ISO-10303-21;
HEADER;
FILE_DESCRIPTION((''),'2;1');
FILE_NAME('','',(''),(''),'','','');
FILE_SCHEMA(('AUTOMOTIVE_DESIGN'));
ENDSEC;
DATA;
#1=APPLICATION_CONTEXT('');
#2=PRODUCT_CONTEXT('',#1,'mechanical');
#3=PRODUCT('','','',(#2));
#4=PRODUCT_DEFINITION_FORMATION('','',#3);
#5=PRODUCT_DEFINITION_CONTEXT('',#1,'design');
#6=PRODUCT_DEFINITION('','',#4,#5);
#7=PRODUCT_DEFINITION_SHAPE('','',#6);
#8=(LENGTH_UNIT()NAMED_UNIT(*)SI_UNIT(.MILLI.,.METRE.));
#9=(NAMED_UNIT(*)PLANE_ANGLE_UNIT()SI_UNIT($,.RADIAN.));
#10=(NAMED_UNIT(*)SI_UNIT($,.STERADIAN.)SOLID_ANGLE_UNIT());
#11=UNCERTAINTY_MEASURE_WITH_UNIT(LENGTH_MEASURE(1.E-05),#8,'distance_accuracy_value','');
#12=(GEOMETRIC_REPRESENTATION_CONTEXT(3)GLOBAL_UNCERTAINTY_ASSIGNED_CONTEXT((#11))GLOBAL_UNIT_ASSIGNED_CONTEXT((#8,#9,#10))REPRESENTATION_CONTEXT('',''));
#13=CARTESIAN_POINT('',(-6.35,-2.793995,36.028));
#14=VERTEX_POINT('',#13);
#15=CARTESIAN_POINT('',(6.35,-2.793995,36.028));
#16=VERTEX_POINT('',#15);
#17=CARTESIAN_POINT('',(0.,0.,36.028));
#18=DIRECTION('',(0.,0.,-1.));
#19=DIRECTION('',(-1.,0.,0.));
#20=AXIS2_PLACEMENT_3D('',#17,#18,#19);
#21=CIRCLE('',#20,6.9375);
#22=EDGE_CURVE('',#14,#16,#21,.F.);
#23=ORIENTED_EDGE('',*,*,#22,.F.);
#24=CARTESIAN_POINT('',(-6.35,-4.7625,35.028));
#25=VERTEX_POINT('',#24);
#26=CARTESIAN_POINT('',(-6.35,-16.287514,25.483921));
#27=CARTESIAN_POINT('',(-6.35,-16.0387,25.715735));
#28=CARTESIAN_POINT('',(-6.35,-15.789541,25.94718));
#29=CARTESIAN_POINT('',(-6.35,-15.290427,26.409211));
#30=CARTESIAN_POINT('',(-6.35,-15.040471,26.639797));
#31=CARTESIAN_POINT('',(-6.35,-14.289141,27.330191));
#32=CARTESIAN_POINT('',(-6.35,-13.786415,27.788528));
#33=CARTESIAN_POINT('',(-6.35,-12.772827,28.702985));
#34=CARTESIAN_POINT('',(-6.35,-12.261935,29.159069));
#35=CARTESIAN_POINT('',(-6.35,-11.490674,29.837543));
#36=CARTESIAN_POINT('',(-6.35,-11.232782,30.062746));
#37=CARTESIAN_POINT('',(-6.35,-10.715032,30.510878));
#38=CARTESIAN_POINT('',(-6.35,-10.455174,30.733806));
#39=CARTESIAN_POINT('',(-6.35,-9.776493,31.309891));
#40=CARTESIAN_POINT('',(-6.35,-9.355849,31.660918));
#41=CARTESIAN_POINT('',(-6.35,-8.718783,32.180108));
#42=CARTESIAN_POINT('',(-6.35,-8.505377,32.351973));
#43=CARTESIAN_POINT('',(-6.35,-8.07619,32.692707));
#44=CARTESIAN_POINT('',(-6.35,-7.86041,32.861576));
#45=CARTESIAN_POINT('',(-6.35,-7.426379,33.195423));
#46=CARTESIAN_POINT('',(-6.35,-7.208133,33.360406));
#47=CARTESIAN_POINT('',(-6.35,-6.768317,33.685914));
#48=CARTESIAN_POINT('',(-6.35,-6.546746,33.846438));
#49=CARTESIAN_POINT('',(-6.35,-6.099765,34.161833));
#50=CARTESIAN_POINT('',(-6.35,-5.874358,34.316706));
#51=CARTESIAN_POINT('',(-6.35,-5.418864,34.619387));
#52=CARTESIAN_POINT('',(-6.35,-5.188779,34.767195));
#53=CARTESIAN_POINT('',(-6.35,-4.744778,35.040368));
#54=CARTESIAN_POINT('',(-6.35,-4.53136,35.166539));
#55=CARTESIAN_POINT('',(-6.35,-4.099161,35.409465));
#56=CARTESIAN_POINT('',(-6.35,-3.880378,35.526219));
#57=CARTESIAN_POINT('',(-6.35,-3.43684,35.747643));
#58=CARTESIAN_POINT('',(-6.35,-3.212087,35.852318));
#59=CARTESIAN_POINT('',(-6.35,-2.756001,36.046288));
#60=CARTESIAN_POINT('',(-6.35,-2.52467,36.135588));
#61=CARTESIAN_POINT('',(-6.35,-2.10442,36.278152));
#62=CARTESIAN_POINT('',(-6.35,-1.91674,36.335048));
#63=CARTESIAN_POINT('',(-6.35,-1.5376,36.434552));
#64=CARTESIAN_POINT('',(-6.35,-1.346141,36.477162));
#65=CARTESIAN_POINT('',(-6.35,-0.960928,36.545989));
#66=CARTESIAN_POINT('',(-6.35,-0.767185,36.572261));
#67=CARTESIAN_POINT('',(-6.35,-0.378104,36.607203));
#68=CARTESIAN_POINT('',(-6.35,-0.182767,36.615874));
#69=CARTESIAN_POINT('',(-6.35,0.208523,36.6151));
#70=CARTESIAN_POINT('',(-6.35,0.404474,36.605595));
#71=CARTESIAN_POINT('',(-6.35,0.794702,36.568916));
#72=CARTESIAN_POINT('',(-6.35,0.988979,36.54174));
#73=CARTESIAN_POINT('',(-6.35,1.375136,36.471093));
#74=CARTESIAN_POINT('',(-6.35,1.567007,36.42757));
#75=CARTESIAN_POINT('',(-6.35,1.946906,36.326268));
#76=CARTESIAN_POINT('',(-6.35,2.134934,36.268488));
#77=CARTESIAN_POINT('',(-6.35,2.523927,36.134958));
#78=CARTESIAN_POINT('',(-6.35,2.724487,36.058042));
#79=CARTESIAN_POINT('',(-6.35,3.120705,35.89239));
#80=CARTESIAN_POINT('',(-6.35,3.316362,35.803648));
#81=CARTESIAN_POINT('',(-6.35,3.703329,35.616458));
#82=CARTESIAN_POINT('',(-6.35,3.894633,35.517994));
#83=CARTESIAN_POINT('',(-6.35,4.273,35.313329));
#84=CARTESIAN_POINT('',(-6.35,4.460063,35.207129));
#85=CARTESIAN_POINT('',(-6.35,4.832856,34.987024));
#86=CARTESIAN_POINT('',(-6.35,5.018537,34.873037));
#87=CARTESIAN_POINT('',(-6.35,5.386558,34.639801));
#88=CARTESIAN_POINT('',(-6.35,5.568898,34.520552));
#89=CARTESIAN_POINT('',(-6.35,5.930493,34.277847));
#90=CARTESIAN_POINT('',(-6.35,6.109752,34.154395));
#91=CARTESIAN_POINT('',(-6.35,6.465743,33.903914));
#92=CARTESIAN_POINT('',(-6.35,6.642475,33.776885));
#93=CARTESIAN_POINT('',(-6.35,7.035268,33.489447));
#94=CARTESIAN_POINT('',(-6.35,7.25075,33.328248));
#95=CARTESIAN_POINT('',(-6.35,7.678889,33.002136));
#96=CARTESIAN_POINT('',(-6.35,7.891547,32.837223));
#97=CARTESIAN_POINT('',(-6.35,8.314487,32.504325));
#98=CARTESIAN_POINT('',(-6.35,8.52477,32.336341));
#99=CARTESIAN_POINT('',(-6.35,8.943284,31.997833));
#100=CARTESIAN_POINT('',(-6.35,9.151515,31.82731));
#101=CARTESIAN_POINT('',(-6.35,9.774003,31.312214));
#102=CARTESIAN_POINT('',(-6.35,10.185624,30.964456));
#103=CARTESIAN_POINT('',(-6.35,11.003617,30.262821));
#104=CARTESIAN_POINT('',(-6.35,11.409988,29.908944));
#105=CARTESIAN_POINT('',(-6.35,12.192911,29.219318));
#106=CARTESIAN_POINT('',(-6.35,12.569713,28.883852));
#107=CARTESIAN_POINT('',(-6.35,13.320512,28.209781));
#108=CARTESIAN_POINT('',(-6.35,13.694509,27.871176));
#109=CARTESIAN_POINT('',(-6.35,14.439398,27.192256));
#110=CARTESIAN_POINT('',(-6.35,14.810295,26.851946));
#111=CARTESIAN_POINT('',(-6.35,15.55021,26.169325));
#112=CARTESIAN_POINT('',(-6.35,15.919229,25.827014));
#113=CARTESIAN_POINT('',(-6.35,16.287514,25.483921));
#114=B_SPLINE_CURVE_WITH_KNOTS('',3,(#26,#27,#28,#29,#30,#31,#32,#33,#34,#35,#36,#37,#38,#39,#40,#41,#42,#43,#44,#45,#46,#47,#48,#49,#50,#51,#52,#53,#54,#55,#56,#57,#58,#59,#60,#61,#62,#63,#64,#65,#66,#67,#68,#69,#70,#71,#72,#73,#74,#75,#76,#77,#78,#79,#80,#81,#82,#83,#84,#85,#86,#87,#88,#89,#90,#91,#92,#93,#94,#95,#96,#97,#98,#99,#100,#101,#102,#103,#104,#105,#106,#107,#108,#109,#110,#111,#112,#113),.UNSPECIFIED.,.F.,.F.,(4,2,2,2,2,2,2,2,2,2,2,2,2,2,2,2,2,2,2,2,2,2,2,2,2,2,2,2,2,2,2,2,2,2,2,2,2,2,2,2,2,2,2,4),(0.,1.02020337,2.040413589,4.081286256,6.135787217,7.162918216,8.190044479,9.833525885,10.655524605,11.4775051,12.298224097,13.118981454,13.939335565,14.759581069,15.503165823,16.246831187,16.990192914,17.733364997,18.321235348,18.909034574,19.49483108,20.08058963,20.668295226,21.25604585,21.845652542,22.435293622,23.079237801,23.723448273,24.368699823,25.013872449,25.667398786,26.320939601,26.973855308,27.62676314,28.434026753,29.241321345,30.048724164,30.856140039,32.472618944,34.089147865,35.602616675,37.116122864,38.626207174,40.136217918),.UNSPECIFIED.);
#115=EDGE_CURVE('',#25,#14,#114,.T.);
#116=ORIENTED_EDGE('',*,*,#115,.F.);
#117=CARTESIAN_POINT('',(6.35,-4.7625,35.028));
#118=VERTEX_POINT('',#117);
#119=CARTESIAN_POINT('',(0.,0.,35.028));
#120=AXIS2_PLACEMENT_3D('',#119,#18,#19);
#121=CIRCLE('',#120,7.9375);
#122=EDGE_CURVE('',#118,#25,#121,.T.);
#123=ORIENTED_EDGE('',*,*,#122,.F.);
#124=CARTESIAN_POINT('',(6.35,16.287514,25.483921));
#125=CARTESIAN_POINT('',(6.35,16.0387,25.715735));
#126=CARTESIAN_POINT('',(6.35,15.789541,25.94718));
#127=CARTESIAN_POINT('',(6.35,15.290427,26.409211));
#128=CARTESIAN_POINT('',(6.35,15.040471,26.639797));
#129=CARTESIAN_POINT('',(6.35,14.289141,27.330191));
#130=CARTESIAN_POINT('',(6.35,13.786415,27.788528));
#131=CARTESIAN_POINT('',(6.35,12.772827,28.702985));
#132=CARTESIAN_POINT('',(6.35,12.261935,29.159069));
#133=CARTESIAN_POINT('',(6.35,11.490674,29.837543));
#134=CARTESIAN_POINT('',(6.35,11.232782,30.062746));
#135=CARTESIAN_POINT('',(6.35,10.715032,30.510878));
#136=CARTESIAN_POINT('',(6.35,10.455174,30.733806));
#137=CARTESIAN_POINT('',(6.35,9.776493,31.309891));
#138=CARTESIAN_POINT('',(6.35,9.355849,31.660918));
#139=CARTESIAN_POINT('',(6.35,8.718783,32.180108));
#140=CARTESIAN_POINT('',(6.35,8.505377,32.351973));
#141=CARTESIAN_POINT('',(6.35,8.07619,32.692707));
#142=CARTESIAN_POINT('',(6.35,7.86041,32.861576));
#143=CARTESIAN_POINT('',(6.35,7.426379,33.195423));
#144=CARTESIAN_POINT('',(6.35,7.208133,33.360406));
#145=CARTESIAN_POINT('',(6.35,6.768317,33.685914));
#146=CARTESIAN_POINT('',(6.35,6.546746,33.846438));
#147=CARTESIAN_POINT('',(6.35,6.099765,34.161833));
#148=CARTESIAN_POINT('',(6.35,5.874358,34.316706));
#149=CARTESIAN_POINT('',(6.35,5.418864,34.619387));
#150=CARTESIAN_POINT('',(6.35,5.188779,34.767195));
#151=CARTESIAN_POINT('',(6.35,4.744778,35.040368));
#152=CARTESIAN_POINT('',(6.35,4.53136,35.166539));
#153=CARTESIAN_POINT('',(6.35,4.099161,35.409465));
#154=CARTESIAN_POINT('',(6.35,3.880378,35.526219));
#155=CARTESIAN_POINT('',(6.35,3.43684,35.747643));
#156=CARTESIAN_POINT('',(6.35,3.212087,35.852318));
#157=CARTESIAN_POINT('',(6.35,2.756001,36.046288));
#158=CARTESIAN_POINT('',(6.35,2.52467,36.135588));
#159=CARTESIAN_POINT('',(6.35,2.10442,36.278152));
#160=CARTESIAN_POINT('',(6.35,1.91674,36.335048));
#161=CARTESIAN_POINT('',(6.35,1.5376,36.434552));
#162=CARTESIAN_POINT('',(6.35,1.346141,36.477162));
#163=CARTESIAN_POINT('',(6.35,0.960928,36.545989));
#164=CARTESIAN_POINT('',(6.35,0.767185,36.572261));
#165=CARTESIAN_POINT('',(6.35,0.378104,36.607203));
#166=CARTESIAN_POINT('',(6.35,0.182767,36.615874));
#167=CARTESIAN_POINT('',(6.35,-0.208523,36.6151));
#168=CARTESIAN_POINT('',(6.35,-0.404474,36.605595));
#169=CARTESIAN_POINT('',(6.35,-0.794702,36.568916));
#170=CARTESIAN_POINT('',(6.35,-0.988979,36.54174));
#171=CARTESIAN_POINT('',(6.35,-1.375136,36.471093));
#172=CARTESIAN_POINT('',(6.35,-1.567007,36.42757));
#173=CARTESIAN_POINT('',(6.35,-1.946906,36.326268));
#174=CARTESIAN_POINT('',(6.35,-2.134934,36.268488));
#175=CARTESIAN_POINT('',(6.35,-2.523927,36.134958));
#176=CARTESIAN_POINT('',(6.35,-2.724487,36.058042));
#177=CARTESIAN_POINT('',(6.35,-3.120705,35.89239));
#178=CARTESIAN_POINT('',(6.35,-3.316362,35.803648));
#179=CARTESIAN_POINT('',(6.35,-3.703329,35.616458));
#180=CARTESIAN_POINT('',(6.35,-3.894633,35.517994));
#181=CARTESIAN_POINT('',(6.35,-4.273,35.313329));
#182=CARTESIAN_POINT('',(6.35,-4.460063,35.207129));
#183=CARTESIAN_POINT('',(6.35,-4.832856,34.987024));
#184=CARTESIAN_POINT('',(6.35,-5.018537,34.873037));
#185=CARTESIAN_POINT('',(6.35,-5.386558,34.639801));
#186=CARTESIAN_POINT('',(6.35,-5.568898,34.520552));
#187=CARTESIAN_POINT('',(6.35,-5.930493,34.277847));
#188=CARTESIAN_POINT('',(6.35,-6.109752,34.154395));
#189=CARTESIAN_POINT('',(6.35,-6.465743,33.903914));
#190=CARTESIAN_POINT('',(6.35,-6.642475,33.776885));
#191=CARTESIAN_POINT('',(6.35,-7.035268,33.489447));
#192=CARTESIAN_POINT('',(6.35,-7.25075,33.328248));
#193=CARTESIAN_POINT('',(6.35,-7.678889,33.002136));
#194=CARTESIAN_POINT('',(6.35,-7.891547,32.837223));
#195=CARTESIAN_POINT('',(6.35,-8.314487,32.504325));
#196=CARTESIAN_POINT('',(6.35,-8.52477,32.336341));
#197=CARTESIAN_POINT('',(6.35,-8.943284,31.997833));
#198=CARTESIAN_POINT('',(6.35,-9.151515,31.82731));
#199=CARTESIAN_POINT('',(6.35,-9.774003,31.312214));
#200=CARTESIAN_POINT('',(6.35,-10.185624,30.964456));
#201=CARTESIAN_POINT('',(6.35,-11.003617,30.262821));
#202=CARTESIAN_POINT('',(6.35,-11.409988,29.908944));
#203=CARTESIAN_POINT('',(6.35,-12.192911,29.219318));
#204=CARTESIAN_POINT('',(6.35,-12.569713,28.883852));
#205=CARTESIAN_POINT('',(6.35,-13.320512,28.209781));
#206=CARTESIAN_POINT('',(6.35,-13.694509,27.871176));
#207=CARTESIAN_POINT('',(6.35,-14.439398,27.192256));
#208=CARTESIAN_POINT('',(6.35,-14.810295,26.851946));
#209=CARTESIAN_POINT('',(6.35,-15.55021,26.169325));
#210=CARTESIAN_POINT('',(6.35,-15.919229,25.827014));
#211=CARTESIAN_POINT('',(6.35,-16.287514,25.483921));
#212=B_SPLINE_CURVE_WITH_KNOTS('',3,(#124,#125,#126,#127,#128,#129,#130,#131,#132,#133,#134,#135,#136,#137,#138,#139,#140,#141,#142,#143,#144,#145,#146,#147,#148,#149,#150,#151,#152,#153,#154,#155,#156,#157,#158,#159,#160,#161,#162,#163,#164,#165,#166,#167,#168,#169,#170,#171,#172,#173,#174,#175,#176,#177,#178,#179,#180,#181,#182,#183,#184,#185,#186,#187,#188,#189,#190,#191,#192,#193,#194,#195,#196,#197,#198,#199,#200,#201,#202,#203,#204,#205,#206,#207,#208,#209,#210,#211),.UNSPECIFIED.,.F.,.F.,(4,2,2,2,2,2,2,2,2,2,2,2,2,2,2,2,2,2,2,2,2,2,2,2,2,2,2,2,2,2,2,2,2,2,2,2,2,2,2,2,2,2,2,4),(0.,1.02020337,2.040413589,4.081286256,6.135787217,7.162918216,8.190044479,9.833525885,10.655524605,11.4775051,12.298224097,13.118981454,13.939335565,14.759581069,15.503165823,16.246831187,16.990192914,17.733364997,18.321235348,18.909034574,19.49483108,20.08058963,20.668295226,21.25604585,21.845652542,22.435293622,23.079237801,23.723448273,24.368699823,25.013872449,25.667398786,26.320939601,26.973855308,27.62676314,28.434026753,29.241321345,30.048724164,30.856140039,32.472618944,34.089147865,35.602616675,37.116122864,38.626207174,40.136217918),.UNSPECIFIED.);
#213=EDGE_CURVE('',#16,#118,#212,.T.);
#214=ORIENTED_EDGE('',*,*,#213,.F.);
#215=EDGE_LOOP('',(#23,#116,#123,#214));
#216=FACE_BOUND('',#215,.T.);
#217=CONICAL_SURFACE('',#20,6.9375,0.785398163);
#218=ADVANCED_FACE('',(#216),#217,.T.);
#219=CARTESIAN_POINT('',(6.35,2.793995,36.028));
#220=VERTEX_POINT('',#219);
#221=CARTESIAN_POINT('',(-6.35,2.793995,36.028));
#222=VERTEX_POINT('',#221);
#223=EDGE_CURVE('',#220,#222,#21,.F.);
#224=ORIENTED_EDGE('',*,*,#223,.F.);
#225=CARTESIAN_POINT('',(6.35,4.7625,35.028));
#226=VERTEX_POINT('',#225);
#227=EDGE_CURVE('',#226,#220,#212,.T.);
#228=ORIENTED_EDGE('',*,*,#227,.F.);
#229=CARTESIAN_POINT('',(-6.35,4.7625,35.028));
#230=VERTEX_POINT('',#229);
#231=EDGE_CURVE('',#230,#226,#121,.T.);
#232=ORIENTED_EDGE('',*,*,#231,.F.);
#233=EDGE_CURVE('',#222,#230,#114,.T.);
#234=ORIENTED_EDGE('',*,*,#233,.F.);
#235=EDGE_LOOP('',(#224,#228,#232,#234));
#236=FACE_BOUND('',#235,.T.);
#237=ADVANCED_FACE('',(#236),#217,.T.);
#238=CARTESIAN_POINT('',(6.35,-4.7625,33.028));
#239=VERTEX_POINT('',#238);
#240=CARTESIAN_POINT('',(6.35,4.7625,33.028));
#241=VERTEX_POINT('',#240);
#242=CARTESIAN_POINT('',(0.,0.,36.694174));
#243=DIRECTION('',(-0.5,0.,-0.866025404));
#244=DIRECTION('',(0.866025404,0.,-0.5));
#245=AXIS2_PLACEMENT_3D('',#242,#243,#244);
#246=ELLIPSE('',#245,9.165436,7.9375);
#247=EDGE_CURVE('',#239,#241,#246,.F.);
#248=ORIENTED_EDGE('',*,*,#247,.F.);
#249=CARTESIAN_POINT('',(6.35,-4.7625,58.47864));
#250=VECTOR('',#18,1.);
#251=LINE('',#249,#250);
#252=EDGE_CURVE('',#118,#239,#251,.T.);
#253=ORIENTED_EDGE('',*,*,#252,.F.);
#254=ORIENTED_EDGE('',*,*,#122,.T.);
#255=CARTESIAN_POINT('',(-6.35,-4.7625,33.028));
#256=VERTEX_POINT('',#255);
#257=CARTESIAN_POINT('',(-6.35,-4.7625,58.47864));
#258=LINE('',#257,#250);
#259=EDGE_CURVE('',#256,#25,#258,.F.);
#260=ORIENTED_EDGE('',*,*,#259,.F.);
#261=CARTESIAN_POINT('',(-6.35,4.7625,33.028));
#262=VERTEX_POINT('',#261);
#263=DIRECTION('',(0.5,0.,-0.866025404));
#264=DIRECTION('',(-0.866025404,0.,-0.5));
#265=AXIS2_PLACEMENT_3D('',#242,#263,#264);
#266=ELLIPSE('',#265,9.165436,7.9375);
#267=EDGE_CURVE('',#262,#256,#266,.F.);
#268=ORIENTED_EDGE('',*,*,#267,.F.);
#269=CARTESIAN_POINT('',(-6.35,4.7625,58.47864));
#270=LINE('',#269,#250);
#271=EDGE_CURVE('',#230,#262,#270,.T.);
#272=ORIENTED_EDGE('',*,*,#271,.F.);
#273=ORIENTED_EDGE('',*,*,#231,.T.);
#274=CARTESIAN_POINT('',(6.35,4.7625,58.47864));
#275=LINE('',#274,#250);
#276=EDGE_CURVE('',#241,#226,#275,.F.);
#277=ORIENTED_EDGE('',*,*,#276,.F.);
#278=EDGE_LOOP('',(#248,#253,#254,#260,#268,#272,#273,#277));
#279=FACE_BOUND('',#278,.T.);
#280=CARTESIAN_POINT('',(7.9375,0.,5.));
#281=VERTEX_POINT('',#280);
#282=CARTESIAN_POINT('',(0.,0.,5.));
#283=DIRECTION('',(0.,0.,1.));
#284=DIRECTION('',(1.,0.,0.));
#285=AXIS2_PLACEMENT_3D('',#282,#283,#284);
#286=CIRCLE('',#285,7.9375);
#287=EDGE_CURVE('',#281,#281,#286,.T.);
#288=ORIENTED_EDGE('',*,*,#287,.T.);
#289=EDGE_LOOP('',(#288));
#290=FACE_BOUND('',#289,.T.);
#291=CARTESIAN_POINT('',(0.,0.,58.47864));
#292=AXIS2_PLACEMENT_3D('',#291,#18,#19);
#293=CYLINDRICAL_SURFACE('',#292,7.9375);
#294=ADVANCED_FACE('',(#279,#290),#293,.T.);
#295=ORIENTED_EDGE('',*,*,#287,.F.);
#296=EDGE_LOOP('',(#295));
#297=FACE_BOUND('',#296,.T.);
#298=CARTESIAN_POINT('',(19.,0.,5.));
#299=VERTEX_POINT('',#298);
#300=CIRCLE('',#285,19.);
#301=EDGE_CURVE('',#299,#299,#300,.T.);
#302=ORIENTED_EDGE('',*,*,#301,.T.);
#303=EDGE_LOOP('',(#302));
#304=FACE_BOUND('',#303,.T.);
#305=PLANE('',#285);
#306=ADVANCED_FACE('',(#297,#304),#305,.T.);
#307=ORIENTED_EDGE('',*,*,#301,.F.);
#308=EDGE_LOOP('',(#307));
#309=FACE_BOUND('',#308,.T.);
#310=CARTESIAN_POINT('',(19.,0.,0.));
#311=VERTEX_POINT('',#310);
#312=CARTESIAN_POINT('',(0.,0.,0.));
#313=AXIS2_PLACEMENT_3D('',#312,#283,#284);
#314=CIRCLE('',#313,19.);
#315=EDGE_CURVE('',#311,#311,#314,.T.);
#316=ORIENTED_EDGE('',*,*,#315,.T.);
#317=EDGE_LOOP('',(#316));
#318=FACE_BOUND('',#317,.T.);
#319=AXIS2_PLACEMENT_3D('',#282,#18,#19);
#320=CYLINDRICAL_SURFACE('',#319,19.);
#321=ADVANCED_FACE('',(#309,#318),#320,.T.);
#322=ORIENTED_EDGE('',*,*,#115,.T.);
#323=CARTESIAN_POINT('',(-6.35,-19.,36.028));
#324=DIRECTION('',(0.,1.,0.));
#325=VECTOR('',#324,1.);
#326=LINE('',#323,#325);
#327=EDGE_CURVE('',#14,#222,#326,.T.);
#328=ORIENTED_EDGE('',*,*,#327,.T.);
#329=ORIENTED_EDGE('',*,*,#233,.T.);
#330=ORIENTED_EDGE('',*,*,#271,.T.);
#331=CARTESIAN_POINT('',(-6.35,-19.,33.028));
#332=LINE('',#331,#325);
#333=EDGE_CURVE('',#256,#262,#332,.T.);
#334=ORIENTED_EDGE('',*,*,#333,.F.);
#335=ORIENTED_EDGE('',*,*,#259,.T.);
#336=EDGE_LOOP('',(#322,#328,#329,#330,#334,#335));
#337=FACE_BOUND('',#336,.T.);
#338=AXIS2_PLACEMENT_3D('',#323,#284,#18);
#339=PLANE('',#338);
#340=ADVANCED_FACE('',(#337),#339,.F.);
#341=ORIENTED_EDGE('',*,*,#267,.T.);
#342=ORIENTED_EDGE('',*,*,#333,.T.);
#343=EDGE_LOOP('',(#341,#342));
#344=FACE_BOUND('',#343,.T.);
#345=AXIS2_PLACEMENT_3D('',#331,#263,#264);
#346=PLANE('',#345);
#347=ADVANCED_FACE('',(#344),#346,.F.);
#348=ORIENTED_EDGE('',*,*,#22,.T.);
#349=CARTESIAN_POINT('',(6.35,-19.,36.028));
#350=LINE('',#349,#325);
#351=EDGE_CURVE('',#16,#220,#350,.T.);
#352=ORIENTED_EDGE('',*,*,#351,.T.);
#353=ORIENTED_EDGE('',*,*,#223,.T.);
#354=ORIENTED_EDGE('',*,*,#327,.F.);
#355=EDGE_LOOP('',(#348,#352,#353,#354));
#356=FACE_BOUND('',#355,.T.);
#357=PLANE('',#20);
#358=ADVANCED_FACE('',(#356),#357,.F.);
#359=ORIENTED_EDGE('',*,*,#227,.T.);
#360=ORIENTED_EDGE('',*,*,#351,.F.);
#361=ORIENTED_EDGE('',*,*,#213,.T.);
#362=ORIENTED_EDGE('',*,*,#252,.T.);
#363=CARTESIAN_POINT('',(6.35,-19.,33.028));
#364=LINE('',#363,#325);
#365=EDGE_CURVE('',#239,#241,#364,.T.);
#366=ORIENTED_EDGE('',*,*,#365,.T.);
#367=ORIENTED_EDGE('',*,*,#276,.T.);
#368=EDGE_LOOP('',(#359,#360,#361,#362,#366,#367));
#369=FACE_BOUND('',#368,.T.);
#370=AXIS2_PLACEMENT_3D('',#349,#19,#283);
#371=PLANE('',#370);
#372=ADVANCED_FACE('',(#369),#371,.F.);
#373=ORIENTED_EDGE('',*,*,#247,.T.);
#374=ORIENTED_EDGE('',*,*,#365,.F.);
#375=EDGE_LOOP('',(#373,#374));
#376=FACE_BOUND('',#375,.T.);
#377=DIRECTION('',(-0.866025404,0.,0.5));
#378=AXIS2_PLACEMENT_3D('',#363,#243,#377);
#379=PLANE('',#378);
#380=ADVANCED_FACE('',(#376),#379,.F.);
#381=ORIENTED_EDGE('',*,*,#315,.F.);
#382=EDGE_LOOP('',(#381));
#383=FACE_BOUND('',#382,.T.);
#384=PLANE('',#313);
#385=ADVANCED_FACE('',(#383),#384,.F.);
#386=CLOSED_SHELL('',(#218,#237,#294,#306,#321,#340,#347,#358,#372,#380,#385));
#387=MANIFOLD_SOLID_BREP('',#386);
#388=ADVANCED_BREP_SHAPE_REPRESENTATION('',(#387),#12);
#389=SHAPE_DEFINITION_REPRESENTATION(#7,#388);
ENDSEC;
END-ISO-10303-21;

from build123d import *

# Parameters (mm, degrees)
SKETCH1_R               = 19
PISTON_DEPTH            = 5
SKETCH2_R               = 7.9375
ROD_DEPTH               = 36.028
ROD_END_CHAMFER_SIZE    = 1
WRENCH_FLATS_DEPTH      = 45.944596828
WRENCH_FLATS_DEPTH_BACK = 45.944596828


with BuildPart() as part:
    # Sketch1 → Piston (new body)
    with BuildSketch(Plane.XY):
        Circle(SKETCH1_R)
    extrude(amount=PISTON_DEPTH)

    # Sketch2 → Rod (add)
    with BuildSketch(Plane(origin=(0, 0, 0), x_dir=(-1, 0, 0), z_dir=(0, 0, -1))):
        Circle(SKETCH2_R)
    extrude(amount=-ROD_DEPTH)

    # Rod End Chamfer
    rod_end_chamfer_edges = [part.edges().sort_by_distance(p)[0] for p in [
        (7.9375, 0, 36.028),
    ]]
    chamfer(rod_end_chamfer_edges, length=ROD_END_CHAMFER_SIZE)

    # Sketch11 → Wrench Flats (cut, two sides: drawn at the far end of the back side and taken through both)
    with BuildSketch(Plane(origin=(0, 0, 0), x_dir=(1, 0, 0), z_dir=(0, 1, 0)).offset(-WRENCH_FLATS_DEPTH_BACK)):
        Polygon((-6.35, -36.028), (-6.35, -33.028), (-11.35, -30.141248654), (-11.35, -36.028), align=None)
        Polygon((6.35, -36.028), (6.35, -33.028), (11.35, -30.141248654), (11.35, -36.028), align=None)
    extrude(amount=WRENCH_FLATS_DEPTH + WRENCH_FLATS_DEPTH_BACK, mode=Mode.SUBTRACT)


solid = part.part
